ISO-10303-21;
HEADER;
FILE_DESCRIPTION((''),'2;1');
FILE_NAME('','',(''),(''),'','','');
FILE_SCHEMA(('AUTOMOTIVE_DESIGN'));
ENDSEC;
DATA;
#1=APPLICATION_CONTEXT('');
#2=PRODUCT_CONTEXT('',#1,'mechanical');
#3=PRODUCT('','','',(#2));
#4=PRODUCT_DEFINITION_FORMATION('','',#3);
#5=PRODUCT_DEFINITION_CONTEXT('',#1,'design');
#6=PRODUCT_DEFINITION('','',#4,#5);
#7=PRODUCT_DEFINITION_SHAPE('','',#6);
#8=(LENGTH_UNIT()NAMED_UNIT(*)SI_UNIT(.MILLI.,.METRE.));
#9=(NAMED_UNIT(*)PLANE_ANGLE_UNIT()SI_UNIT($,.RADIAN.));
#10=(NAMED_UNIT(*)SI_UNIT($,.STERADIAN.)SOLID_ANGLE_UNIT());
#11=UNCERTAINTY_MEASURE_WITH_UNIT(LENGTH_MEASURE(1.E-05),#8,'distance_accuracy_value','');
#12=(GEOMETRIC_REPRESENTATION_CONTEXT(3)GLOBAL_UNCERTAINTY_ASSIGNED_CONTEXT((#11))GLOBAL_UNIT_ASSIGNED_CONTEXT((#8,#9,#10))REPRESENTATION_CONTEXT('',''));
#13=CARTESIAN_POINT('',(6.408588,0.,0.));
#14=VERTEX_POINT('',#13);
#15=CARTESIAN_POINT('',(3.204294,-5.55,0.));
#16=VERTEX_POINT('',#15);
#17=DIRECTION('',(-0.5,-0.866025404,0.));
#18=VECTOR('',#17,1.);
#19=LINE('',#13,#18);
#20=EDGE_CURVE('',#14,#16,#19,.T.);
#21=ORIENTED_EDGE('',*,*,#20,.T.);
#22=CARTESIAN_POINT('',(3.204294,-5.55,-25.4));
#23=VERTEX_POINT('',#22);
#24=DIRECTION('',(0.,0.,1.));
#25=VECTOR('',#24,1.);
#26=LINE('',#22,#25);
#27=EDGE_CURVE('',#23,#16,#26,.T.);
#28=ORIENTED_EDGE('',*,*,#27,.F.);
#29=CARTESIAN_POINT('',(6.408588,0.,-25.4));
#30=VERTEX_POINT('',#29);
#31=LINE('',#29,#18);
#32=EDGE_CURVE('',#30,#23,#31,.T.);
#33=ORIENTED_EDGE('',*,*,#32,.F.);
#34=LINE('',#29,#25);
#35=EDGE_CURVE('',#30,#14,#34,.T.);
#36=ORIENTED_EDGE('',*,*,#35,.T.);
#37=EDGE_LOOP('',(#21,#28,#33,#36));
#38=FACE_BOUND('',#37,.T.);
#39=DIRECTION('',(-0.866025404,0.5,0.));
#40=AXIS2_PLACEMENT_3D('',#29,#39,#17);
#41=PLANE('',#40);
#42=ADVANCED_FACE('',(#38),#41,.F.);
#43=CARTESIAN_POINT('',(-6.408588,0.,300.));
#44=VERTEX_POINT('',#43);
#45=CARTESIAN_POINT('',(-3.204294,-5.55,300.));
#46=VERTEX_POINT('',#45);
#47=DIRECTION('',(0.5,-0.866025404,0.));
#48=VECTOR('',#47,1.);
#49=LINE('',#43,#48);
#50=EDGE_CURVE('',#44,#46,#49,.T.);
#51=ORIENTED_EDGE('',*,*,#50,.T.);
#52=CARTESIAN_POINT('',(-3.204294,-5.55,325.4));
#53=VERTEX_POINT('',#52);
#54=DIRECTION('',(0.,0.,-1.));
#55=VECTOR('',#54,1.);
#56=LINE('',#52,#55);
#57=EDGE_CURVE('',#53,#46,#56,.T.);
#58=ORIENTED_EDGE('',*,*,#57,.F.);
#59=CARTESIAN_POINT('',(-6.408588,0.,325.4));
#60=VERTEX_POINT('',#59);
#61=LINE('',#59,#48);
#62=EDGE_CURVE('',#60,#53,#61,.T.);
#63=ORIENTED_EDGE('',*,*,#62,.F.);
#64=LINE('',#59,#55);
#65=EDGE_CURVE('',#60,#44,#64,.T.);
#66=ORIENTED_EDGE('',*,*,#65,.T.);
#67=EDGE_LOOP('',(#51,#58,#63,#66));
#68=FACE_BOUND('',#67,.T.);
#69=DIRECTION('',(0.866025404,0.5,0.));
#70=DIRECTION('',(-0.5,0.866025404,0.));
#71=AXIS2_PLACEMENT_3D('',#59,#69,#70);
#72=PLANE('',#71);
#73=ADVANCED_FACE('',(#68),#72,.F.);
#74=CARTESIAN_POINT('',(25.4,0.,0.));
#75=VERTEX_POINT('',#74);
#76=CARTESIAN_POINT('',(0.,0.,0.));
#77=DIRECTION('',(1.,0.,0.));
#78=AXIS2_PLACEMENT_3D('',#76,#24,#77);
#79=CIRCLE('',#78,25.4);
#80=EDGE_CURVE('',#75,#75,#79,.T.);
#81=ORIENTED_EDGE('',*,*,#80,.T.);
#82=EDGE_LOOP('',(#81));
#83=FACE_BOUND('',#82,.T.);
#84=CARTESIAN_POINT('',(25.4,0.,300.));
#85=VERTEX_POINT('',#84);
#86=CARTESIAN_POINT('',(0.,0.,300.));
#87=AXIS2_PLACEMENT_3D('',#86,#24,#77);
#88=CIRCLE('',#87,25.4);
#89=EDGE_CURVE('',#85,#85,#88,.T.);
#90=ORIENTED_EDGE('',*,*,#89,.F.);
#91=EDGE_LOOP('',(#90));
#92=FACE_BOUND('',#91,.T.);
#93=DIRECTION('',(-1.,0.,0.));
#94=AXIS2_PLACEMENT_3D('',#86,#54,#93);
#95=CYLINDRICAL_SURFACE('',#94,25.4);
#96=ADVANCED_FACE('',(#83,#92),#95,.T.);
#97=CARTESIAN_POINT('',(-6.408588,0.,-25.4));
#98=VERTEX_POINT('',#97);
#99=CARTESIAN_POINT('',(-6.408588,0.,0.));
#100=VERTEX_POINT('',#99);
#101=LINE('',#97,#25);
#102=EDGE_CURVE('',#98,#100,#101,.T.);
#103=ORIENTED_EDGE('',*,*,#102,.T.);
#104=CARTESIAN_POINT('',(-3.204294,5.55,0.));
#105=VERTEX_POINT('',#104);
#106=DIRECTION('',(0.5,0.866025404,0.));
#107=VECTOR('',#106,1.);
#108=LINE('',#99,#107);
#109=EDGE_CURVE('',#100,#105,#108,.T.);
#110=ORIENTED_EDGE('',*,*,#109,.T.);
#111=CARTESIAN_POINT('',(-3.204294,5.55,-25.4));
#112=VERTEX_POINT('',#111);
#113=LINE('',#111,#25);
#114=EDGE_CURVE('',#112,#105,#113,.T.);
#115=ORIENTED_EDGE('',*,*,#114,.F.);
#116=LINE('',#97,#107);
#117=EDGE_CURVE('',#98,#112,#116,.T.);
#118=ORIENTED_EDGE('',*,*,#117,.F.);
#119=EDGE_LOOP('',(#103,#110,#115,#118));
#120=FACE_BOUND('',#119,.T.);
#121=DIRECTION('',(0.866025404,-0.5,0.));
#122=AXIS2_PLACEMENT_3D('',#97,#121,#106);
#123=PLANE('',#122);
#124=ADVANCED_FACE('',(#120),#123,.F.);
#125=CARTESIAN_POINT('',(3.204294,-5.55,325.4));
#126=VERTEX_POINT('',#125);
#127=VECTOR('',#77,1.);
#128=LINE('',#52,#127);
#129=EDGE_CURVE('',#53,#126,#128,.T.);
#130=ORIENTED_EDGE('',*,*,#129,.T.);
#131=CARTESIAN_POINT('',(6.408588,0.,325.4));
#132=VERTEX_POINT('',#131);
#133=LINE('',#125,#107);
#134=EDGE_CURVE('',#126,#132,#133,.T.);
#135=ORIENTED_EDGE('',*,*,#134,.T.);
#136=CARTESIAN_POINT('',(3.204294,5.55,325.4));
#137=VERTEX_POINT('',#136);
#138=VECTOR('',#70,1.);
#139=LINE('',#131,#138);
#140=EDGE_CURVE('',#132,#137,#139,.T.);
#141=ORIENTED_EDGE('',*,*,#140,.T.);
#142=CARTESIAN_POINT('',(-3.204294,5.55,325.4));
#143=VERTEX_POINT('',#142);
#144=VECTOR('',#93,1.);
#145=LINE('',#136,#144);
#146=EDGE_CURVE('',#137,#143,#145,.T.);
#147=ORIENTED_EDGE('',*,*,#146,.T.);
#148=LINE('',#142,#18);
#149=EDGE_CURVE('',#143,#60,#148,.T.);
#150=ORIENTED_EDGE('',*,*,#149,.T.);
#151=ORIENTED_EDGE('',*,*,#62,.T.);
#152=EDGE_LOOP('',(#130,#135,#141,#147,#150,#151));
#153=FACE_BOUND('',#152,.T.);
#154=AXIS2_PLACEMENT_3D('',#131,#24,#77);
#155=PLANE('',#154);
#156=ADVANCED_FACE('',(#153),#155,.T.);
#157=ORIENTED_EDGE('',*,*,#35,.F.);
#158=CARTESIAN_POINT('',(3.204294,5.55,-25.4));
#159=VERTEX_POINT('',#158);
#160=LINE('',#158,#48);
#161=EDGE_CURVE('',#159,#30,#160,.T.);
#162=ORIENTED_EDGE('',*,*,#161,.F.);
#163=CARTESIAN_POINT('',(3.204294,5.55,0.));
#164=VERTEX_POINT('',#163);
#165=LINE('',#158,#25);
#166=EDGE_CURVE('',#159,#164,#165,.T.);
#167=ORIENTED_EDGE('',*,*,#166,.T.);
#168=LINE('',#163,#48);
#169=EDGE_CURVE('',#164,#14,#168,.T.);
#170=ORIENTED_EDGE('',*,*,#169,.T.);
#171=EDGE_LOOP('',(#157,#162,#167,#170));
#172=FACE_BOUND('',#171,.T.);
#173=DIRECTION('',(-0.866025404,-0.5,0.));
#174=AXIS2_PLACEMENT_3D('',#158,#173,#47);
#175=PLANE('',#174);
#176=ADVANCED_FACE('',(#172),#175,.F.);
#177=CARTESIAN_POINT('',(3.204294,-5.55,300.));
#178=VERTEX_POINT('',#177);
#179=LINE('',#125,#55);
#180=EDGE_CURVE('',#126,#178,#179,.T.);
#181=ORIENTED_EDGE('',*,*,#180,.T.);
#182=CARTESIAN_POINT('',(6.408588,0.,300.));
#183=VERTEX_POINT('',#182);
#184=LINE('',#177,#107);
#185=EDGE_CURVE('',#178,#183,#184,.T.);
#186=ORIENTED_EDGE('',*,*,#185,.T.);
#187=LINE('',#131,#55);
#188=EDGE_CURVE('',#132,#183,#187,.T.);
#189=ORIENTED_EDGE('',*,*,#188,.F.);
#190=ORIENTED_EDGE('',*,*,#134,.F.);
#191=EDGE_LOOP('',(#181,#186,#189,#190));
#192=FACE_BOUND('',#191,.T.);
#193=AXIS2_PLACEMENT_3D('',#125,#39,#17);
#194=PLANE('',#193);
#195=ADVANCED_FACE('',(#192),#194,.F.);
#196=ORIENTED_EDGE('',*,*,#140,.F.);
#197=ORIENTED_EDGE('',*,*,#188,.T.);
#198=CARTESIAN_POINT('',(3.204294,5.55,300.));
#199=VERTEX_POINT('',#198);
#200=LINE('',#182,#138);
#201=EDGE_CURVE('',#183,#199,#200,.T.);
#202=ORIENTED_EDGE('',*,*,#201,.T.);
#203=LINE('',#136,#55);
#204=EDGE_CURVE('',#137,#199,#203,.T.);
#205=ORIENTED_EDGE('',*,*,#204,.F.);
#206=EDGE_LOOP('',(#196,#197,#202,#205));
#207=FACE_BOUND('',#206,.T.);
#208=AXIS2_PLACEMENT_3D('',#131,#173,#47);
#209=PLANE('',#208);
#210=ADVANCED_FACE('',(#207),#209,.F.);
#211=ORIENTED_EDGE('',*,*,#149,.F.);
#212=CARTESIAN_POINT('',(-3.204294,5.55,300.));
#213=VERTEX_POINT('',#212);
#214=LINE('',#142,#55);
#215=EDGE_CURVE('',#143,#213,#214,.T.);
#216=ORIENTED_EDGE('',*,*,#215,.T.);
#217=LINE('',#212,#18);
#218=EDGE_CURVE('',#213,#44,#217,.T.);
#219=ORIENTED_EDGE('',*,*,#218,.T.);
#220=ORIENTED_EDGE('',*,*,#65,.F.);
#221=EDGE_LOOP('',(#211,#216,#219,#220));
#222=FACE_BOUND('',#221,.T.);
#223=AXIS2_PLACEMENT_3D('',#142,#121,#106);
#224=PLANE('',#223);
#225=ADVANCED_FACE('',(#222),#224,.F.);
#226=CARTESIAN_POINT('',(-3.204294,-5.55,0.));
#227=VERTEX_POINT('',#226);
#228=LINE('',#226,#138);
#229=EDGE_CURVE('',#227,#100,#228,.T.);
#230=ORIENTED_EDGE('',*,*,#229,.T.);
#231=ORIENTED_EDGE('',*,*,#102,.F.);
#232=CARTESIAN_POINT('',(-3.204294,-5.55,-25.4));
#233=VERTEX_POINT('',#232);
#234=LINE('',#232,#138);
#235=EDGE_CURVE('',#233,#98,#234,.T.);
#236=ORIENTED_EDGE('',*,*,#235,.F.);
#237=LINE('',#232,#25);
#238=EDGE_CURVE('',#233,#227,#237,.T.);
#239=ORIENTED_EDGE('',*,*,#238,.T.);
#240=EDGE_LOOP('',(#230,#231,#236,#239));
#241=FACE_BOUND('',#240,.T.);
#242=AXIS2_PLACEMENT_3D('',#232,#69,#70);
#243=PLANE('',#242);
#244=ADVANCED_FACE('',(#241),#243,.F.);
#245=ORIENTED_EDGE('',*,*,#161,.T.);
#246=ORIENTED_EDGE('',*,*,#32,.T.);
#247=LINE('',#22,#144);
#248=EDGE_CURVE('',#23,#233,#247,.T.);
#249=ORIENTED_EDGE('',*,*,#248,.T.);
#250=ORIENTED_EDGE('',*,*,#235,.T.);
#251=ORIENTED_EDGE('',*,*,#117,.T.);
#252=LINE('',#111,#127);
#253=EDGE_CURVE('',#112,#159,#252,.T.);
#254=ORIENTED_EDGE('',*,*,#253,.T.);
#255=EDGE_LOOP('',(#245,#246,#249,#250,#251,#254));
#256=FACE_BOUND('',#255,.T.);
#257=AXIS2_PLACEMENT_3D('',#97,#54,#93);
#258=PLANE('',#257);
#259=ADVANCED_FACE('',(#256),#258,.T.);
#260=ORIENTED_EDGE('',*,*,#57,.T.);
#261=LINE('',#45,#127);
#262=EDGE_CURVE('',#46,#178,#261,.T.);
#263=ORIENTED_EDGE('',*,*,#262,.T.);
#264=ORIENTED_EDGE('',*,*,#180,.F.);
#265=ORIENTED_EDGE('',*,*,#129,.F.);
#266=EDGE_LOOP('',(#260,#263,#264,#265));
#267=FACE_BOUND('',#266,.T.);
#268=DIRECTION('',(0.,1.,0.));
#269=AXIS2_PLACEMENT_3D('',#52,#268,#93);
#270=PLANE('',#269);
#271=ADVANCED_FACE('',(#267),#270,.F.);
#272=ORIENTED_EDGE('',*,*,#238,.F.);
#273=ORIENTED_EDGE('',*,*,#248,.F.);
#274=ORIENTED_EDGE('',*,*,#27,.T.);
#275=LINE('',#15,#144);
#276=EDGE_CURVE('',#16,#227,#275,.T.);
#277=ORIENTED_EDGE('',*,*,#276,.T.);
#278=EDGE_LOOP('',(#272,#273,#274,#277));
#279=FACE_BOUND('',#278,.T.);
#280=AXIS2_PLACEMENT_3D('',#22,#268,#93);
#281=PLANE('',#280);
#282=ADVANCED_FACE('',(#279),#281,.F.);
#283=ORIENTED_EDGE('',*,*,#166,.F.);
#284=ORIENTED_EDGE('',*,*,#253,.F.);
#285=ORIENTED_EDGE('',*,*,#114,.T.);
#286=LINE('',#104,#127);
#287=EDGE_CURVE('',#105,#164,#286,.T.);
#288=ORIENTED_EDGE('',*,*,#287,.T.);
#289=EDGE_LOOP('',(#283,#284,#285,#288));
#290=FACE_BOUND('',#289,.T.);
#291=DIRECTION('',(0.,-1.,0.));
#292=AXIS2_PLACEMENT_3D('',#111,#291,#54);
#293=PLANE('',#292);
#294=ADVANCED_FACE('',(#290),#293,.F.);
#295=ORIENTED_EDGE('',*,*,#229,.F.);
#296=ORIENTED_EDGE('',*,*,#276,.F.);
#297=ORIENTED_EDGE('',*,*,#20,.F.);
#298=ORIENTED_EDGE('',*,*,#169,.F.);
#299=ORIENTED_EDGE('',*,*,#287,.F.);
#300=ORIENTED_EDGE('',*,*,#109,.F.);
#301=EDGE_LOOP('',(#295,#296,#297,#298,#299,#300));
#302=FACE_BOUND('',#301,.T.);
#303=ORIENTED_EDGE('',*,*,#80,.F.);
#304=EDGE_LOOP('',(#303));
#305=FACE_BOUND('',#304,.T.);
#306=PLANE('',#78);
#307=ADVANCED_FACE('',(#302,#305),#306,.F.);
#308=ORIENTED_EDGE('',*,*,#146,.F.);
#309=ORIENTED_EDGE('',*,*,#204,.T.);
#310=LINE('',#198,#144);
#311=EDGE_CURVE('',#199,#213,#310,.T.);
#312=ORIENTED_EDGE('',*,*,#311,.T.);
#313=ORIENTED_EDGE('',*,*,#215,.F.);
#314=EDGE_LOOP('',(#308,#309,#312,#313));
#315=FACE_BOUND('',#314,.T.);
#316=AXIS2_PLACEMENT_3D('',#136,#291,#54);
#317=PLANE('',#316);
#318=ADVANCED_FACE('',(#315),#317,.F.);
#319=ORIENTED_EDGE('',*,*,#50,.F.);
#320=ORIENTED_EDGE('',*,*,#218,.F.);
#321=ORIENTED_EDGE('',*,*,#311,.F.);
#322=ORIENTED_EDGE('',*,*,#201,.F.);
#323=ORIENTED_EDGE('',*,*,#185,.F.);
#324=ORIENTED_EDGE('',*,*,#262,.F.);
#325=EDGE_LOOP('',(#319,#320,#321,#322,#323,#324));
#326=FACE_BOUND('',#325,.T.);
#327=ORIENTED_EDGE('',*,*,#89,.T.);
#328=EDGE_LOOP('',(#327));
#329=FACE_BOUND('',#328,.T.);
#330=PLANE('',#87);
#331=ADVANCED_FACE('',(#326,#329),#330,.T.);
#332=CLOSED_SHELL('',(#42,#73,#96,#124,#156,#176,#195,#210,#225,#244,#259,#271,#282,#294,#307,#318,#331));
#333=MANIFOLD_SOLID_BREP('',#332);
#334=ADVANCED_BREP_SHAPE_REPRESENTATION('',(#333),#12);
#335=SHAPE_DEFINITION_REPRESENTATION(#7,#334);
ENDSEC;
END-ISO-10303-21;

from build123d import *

# Parameters (mm, degrees)
SKETCH1_R           = 25.4
BOSS_EXTRUDE1_DEPTH = 300
BOSS_EXTRUDE2_DEPTH = 25.4
BOSS_EXTRUDE3_DEPTH = 25.4


with BuildPart() as part:
    # Sketch1 → Boss-Extrude1 (new body)
    with BuildSketch(Plane.XY):
        Circle(SKETCH1_R)
    extrude(amount=BOSS_EXTRUDE1_DEPTH)

    # Sketch2 → Boss-Extrude2 (add)
    with BuildSketch(Plane.XY.offset(300)):
        Polygon((6.408587988, 0), (3.204293994, 5.55), (-3.204293994, 5.55), (-6.408587988, 0), (-3.204293994, -5.55), (3.204293994, -5.55), align=None)
    extrude(amount=BOSS_EXTRUDE2_DEPTH)

    # Sketch3 → Boss-Extrude3 (add)
    with BuildSketch(Plane(origin=(0, 0, 0), x_dir=(-1, 0, 0), z_dir=(0, 0, -1))):
        Polygon((6.408587988, 0), (3.204293994, 5.55), (-3.204293994, 5.55), (-6.408587988, 0), (-3.204293994, -5.55), (3.204293994, -5.55), align=None)
    extrude(amount=BOSS_EXTRUDE3_DEPTH)


solid = part.part
